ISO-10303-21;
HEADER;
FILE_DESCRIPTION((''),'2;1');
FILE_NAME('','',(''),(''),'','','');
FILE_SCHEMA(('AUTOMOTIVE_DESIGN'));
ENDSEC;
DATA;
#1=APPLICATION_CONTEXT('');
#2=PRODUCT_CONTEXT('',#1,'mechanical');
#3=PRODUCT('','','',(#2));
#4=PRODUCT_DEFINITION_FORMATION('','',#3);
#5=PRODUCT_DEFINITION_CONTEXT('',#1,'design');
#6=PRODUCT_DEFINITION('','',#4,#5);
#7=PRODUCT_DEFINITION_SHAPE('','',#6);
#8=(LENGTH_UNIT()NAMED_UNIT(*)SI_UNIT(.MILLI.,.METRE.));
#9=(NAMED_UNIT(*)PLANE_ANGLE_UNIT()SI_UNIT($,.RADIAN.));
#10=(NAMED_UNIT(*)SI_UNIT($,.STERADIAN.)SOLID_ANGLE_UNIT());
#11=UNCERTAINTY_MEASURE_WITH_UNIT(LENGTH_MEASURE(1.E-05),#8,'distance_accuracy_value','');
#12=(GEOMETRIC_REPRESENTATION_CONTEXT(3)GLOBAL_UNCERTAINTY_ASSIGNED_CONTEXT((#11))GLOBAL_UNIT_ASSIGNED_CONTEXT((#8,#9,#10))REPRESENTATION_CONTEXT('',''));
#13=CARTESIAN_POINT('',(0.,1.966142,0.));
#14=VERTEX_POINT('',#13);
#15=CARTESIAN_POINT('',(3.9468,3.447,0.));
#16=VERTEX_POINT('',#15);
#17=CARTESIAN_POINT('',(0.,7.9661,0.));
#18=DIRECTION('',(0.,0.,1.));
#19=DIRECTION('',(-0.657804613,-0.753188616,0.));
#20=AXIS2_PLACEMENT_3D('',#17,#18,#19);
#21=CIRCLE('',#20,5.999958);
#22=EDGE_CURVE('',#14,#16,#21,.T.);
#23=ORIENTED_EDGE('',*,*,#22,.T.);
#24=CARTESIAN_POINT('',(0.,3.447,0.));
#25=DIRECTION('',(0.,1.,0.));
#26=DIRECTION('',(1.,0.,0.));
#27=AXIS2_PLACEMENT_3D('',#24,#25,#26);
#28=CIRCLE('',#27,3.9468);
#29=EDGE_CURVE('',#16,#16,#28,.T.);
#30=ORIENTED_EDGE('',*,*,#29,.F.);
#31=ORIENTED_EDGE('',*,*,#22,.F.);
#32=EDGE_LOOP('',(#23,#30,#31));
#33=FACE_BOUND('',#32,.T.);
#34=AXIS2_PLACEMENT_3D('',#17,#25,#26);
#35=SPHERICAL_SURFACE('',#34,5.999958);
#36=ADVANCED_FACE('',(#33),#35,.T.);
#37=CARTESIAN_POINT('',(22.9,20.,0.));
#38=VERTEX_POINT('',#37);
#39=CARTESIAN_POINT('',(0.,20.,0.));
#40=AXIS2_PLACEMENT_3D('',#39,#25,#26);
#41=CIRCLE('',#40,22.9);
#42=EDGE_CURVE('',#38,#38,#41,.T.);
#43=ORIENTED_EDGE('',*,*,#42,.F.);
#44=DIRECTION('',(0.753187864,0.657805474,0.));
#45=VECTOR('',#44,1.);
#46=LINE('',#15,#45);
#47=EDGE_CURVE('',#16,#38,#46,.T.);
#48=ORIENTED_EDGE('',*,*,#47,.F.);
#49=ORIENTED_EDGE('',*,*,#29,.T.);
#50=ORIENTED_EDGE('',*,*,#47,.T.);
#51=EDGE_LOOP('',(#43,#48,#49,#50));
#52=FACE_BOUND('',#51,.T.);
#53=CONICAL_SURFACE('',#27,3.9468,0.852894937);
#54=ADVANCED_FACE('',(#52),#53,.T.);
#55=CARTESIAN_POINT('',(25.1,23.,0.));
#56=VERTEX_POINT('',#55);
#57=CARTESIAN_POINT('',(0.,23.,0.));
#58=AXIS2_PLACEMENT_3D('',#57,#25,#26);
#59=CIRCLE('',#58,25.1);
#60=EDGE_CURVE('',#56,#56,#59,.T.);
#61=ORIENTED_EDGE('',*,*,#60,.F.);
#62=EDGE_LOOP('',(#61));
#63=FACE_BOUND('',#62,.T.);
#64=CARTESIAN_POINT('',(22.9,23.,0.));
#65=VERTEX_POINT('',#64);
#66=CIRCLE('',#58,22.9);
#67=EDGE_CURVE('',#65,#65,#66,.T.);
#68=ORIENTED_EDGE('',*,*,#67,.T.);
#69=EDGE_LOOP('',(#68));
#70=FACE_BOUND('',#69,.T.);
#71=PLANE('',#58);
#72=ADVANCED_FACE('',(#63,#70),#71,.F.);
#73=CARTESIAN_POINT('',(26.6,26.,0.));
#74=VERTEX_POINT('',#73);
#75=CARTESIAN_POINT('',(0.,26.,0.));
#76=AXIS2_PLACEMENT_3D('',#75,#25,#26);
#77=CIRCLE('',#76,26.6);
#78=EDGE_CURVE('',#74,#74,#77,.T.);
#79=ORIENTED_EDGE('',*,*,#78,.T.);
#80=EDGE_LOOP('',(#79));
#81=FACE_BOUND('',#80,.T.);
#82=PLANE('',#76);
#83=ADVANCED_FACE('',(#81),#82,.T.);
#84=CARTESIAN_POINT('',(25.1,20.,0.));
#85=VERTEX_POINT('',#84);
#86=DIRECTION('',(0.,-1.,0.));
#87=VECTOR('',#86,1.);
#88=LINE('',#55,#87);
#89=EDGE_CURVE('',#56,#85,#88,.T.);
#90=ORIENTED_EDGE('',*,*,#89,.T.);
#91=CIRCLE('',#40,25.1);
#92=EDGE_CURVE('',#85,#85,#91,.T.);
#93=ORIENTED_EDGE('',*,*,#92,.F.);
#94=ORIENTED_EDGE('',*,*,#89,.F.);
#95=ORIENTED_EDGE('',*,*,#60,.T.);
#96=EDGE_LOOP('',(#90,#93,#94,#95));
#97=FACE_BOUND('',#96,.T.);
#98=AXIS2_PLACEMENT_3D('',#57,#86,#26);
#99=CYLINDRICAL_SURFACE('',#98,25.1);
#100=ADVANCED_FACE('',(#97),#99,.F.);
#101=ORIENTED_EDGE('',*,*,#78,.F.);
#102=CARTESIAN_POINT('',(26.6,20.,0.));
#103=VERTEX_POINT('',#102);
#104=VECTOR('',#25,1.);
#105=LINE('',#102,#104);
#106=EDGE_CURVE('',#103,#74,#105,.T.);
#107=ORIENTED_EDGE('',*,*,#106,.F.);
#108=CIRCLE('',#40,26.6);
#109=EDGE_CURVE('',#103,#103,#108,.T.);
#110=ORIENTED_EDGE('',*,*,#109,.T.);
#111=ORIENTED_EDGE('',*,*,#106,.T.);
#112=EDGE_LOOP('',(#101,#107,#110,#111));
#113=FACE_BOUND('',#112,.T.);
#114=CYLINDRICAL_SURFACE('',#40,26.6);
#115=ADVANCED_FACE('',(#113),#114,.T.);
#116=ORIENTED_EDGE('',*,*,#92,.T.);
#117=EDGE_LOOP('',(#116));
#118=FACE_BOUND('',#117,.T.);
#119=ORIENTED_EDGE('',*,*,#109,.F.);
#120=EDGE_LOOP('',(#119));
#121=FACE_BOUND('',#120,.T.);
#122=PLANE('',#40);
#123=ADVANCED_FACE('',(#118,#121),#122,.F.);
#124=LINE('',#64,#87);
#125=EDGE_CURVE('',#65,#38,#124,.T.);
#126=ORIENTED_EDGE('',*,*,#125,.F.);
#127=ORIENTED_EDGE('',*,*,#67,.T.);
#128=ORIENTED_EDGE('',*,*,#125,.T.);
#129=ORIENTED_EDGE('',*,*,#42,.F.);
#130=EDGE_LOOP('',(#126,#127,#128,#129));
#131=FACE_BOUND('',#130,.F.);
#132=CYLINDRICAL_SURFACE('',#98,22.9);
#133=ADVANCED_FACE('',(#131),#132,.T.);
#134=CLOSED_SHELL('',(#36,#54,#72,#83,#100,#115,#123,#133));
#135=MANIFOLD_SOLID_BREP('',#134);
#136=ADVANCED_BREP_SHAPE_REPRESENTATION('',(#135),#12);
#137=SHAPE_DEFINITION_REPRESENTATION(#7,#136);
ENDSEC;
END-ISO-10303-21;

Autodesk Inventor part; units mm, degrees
ref_plane "YZ Plane" through (0, 0, 0) normal (1, 0, 0) x (0, 1, 0)
ref_plane "XZ Plane" through (0, 0, 0) normal (0, 1, 0) x (-1, 0, 0)
ref_plane "XY Plane" through (0, 0, 0) normal (0, 0, 1) x (1, 0, 0)
sketch "スケッチ1" plane through (0, 0, 0) normal (0, 0, 1) x (1, 0, 0)
  line L0 (-22.9, 20) -> (-3.9468, 3.447)
  line L1 (3.9468, 3.447) -> (22.9, 20)
  line L2 (-22.9, 20) -> (22.9, 20)
  line L3 (0, 0) -> (0, 20) construction
  line L4 (-22.9, 23) -> (22.9, 23)
  line L5 (22.9, 23) -> (22.9, 20)
  line L6 (22.9, 20) -> (-22.9, 20)
  line L7 (-22.9, 20) -> (-22.9, 23)
  line L8 (0, -407.3642) -> (0, 141.394) projected
  line L9 (0, 0) -> (0, 23)
  arc A0 (-3.9468, 3.447) -> (3.9468, 3.447) centre (0, 7.9661) ccw
  line L10 (0, -328.9702) -> (-1095, -328.9702)
  line L11 (22.9, 23) -> (25.1, 23)
  line L12 (25.1, 23) -> (25.1, 20)
  line L13 (25.1, 20) -> (26.6, 20)
  line L14 (26.6, 20) -> (26.6, 26)
  line L15 (26.6, 26) -> (-26.6, 26)
  line L16 (-26.6, 26) -> (-26.6, 20)
  line L17 (-26.6, 20) -> (-25.1, 20)
  line L18 (-25.1, 20) -> (-25.1, 23)
  line L19 (-25.1, 23) -> (-22.9, 23)
  line L20 (-22.9, 23) -> (-22.9, 63)
  line L21 (-22.9, 63) -> (22.9, 63)
  line L22 (22.9, 63) -> (22.9, 23)
  point P0 (0, 1.9661)
  point P1 (0, 26)
  point P2 (0, 63)
  dimension "d0" = 45.8
  dimension "d1" = 20
  dimension "d3" = 3
  dimension "d5" = 6
  dimension "d6" = 1095
  dimension "d8" = 2.2
  dimension "d9" = 1.5
  dimension "d10" = 3
  dimension "d14" = 40
revolve "回転1" add sketch "スケッチ1" angle 360 about axis through (0, -10, 0) along (0, 1, 0) contours L8 L4 L5 L2 | L2 L1 A0 L8 | L8 L15 L22 L4 | L22 L15 L14 L13 L12 L11
properties part number "Camera_mirror"
